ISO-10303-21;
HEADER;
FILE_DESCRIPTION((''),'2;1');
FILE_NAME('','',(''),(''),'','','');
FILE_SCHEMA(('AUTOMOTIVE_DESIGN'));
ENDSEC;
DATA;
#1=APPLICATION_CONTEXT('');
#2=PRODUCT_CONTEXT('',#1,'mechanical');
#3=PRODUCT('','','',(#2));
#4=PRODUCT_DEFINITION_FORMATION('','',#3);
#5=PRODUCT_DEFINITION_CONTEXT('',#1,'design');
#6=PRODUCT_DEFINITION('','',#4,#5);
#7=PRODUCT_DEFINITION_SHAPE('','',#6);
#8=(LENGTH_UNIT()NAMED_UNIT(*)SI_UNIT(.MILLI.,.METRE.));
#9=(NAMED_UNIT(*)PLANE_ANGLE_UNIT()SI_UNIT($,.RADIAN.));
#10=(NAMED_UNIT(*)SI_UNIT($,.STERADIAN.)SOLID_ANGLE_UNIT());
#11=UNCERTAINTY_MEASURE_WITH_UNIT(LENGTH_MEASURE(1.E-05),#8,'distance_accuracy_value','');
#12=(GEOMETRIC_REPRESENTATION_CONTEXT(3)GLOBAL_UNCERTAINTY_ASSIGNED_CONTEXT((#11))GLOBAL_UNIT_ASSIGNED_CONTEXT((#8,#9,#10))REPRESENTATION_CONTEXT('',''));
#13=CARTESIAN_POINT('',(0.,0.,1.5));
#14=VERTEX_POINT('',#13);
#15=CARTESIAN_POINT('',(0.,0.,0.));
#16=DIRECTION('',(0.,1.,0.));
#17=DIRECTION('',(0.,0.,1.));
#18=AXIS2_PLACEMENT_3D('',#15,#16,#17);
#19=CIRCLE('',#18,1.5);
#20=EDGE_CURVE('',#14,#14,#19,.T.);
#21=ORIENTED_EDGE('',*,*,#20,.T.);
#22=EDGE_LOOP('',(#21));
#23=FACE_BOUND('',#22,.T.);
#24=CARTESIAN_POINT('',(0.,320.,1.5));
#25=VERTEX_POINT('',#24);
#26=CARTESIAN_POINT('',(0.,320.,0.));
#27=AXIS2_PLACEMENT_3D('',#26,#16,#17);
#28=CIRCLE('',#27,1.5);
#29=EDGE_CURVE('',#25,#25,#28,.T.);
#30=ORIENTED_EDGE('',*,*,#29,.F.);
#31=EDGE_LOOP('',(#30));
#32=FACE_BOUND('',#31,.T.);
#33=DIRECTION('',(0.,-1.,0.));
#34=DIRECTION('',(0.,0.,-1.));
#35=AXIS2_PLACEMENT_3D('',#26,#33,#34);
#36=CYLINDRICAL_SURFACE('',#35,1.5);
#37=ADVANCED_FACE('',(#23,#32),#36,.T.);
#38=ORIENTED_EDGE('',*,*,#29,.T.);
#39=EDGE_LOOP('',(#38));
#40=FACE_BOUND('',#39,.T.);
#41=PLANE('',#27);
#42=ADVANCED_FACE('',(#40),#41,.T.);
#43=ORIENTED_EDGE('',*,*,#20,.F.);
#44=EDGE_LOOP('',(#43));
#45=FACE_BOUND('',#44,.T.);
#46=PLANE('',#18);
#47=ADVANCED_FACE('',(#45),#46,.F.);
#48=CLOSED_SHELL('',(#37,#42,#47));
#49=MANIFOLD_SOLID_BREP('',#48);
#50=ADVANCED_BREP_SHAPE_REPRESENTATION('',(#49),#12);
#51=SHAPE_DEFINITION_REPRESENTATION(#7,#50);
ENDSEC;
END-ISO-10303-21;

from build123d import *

# Parameters (mm, degrees)
ESQUISSE1_R      = 1.5
EXTRUSION1_DEPTH = 320


with BuildPart() as part:
    # Esquisse1 → Extrusion1 (new body)
    with BuildSketch(Plane(origin=(0, 0, 0), x_dir=(1, 0, 0), z_dir=(0, 1, 0))):
        with Locations(Location((0, 0, 0), (0, 0, 270))):  # turned: the seam where the file's is
            Circle(ESQUISSE1_R)
    extrude(amount=EXTRUSION1_DEPTH)


solid = part.part
